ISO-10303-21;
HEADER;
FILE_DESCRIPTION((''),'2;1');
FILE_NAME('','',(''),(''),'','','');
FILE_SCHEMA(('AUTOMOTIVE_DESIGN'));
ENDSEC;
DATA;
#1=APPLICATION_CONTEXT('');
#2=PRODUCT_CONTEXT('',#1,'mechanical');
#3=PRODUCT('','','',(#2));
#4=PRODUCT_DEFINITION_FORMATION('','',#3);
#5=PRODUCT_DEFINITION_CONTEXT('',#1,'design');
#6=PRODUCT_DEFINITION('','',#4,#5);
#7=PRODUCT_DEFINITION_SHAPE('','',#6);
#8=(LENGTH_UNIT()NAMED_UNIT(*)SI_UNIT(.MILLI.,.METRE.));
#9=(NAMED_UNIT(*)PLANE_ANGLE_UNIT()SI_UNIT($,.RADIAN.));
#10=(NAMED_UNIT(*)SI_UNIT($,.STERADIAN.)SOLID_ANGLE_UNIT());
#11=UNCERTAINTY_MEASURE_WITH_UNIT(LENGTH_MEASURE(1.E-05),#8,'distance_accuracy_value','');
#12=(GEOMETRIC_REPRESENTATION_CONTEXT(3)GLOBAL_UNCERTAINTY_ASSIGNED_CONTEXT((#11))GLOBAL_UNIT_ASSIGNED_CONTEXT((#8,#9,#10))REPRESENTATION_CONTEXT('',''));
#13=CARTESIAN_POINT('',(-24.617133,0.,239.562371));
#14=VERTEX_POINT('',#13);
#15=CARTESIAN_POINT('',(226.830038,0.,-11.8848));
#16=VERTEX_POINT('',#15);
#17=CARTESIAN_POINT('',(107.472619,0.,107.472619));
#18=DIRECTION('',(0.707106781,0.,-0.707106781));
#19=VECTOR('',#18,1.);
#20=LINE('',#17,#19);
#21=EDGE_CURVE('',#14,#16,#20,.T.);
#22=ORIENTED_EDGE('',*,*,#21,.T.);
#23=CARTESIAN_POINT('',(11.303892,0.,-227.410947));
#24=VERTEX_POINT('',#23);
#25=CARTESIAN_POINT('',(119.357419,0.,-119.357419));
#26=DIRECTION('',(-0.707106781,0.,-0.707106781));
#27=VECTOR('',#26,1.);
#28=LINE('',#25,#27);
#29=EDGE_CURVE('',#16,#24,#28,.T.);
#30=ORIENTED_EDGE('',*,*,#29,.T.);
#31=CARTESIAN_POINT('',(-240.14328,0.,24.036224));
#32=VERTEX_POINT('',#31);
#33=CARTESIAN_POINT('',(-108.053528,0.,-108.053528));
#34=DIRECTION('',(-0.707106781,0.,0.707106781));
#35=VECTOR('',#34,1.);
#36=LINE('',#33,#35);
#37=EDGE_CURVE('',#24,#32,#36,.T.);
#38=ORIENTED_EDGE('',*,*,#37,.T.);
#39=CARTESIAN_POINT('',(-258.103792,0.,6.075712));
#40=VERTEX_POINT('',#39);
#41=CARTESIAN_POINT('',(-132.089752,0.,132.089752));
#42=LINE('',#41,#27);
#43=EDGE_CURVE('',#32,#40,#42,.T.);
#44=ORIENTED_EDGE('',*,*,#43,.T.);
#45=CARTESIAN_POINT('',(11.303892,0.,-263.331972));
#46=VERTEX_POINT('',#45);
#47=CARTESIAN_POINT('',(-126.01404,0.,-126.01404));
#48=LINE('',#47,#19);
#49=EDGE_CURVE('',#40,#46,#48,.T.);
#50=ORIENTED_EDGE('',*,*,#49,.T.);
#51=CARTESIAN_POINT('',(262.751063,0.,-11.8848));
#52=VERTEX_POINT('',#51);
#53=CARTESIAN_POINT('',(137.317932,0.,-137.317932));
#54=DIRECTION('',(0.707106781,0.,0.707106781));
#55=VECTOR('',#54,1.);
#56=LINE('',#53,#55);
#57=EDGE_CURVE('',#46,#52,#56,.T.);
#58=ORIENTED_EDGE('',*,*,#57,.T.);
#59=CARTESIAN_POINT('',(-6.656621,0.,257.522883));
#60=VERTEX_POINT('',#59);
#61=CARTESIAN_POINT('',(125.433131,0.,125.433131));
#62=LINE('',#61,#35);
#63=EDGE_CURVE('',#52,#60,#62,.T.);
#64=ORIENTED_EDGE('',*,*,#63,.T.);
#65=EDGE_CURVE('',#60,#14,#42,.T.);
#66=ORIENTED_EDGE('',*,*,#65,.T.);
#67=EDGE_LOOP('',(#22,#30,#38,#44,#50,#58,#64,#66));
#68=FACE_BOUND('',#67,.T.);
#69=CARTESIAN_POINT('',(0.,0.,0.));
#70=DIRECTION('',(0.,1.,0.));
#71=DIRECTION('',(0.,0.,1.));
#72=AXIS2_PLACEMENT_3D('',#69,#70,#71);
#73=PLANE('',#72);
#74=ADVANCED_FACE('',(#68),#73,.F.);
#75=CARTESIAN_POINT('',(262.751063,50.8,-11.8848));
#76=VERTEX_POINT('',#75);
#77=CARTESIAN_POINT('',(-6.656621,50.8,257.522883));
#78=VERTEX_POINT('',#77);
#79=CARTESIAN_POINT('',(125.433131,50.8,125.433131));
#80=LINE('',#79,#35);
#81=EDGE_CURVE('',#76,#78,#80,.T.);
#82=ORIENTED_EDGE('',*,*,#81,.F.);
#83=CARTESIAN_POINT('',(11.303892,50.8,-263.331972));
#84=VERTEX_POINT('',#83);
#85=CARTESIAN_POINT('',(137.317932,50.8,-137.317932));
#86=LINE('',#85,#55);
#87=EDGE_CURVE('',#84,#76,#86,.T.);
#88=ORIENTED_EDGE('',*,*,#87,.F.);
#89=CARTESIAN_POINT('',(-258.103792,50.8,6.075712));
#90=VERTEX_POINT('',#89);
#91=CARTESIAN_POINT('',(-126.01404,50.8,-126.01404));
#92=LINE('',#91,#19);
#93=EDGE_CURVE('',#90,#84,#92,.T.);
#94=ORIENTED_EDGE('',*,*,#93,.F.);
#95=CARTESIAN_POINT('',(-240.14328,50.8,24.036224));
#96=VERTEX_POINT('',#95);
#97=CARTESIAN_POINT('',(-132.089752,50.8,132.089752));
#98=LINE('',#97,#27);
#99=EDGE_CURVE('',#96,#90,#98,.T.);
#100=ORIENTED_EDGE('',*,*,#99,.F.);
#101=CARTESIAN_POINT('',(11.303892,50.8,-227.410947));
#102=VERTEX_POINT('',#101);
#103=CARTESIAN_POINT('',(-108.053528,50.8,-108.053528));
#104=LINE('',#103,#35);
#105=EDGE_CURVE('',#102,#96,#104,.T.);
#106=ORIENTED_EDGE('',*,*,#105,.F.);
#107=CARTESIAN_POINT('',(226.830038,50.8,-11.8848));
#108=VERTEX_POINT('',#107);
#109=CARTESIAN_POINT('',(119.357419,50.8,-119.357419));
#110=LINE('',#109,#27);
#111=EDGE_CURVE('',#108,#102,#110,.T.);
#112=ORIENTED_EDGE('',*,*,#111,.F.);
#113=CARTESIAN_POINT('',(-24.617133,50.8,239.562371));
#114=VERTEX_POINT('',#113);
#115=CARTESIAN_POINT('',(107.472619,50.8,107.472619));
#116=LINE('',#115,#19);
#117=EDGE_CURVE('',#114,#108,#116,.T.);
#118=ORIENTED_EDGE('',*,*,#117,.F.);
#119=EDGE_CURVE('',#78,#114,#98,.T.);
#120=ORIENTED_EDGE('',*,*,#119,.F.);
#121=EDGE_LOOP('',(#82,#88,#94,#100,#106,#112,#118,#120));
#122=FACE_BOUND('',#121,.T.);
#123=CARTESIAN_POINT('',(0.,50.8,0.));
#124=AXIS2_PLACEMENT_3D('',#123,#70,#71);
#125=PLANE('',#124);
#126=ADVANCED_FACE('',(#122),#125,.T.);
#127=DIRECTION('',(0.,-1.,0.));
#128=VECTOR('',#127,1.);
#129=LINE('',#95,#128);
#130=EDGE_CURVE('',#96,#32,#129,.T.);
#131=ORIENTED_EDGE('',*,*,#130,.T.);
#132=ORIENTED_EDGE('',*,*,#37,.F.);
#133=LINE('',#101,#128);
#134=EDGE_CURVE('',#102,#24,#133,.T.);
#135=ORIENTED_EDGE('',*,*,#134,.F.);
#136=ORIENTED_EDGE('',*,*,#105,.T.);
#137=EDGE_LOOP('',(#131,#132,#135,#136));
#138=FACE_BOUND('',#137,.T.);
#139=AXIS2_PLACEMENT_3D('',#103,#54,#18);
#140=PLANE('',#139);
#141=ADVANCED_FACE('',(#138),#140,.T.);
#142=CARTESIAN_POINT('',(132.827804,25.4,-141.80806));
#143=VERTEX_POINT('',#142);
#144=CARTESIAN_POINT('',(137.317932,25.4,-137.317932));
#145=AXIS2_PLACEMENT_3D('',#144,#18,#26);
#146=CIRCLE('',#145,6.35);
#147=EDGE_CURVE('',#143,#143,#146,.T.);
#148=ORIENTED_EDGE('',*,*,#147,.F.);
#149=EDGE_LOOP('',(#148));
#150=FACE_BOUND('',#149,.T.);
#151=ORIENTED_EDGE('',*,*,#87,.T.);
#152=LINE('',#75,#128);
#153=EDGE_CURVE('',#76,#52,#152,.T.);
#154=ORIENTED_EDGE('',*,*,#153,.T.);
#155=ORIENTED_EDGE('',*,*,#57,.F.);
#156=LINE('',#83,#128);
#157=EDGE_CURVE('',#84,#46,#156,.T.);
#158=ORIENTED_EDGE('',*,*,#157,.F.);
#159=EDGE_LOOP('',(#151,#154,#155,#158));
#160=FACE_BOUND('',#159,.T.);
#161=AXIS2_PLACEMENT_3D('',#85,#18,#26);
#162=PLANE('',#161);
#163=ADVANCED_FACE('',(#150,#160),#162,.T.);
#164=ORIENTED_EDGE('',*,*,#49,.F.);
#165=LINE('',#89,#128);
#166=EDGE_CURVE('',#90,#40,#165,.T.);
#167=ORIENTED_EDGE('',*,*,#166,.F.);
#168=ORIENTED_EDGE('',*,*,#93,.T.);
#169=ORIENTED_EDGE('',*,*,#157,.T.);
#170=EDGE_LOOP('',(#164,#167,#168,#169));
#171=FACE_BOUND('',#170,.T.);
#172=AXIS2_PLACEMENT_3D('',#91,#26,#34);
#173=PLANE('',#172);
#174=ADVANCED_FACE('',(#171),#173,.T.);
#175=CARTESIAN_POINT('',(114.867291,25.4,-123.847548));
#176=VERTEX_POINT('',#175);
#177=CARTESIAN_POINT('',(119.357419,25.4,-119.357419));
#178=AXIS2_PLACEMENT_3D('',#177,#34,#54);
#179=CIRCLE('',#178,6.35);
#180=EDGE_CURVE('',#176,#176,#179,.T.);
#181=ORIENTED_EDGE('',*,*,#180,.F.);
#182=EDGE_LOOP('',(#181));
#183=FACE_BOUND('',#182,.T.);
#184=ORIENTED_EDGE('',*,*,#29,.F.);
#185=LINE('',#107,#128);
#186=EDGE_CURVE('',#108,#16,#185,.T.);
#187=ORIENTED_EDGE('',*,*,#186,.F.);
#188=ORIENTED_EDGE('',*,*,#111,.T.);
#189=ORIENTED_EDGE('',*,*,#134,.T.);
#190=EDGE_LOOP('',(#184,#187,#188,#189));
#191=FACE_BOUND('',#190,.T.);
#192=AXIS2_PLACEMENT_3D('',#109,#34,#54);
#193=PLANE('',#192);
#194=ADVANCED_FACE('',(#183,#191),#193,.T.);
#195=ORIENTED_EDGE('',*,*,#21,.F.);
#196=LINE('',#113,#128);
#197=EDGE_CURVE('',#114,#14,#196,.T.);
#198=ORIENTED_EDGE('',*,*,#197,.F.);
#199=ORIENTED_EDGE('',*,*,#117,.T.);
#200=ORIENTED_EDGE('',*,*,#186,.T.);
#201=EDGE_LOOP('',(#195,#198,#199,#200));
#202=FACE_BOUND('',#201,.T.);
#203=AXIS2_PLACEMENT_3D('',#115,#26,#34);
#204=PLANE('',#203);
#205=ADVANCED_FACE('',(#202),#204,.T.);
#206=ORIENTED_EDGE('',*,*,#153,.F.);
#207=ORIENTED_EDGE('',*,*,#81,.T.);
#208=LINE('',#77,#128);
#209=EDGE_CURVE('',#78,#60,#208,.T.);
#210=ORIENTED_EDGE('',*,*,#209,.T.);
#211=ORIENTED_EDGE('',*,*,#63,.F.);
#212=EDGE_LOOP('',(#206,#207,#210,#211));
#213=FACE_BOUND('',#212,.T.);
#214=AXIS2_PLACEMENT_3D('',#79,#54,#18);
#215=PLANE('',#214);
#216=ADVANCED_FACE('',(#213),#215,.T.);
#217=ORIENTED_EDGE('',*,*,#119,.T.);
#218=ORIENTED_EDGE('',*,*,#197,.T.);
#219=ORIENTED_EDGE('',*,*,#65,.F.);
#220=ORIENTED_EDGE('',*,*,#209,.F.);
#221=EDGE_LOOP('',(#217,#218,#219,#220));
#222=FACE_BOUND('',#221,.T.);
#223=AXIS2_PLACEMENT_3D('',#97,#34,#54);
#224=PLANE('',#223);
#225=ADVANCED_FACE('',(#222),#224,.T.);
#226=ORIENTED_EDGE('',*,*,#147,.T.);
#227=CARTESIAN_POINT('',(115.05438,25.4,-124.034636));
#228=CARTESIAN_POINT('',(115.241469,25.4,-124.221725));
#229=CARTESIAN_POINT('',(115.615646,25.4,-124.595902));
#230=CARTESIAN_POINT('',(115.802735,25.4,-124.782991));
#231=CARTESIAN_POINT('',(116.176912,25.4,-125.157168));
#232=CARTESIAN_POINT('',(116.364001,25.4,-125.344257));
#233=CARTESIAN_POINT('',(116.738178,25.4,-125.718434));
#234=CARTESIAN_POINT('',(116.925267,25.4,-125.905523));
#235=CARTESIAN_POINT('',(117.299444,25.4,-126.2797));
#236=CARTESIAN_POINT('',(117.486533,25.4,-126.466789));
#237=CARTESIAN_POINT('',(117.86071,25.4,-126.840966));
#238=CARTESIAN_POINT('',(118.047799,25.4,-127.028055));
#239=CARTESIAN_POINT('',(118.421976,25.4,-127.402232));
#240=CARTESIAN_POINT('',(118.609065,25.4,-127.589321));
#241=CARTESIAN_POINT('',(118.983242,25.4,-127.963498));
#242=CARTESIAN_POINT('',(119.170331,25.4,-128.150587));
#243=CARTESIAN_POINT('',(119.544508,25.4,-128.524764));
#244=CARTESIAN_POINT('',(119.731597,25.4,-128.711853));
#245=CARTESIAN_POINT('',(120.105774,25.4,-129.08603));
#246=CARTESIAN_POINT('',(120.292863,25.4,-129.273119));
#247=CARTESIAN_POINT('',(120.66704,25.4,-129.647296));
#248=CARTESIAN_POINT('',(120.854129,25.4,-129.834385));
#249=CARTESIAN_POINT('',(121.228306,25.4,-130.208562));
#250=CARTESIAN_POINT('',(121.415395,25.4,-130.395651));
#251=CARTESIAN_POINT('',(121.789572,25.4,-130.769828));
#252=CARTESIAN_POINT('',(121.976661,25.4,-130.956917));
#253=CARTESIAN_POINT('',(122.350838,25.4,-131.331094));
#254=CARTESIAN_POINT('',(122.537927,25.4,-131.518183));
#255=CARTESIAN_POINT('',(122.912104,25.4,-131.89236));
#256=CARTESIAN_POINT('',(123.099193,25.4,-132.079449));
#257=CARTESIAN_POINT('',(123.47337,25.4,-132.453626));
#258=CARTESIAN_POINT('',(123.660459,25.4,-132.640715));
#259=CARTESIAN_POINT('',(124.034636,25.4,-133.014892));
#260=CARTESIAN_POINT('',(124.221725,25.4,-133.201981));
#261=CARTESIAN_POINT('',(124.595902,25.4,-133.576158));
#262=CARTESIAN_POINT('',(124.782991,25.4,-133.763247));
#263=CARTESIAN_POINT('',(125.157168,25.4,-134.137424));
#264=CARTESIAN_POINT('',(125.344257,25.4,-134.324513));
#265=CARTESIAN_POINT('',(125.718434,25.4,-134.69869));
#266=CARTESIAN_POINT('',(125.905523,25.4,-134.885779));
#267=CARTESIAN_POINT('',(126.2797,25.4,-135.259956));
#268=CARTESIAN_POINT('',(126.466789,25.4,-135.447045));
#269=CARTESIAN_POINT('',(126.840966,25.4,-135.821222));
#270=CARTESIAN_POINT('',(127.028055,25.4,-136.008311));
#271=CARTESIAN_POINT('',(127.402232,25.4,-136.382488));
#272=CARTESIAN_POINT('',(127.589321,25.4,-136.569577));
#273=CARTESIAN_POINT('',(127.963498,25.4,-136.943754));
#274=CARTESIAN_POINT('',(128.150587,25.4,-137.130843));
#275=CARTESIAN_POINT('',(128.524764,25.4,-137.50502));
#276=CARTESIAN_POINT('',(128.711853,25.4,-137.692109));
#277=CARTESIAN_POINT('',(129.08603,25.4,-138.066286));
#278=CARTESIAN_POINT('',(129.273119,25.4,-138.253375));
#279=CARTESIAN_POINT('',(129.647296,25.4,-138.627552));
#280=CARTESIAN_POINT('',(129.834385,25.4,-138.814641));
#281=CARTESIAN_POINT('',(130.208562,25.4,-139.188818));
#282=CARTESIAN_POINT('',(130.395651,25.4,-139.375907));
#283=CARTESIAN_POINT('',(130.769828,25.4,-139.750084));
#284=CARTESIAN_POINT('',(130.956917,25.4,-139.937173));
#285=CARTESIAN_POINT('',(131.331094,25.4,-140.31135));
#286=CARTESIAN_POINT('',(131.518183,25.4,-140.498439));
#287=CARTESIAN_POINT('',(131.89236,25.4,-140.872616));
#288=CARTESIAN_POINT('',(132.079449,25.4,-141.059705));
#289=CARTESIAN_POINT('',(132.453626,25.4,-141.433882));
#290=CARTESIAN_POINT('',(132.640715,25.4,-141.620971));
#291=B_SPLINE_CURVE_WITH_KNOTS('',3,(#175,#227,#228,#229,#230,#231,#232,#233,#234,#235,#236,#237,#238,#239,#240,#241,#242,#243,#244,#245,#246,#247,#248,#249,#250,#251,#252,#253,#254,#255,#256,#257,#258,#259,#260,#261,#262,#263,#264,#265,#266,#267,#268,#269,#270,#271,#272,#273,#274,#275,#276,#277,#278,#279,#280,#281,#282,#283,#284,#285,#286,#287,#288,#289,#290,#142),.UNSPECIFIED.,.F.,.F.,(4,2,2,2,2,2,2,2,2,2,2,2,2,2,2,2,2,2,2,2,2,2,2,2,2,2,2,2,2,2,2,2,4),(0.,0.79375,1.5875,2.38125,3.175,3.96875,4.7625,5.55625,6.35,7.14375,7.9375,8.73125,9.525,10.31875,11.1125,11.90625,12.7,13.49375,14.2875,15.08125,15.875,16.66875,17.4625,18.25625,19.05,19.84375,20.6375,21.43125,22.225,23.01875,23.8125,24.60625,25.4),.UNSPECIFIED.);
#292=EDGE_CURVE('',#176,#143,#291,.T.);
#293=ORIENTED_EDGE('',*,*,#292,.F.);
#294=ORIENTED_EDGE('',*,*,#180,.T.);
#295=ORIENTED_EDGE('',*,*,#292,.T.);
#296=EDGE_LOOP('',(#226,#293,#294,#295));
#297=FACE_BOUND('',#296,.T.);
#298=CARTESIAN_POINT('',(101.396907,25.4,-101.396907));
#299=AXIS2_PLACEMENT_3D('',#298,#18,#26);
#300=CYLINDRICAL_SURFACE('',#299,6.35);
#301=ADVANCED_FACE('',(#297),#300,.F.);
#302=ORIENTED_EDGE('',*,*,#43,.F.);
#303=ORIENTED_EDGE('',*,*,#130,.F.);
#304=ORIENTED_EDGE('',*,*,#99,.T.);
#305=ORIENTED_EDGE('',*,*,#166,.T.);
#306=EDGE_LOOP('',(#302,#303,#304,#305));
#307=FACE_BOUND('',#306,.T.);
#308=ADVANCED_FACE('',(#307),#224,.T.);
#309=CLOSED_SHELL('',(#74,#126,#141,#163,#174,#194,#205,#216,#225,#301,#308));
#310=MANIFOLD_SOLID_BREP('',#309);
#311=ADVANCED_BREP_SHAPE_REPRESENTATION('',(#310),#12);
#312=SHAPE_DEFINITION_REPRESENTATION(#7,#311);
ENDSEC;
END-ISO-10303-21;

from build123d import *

# Parameters (mm, degrees)
BOSS_EXTRUDE2_DEPTH = 50.8
SKETCH3_R           = 6.35
CUT_EXTRUDE1_DEPTH  = 50.8


with BuildPart() as part:
    # Sketch2 → Boss-Extrude2 (new body)
    with BuildSketch(Plane(origin=(0, 0, 0), x_dir=(1, 0, 0), z_dir=(0, 1, 0))):
        Polygon((11.303891564, 227.410947331), (-240.143279826, -24.036224059), (-258.103792068, -6.075711817), (11.303891564, 263.331971815), (262.751062954, 11.884800425), (-6.656620678, -257.522883207), (-24.61713292, -239.562370965), (226.83003847, 11.884800425), align=None)
    extrude(amount=BOSS_EXTRUDE2_DEPTH)

    # Sketch3 → Cut-Extrude1 (cut)
    with BuildSketch(Plane(origin=(137.31793169, 0, -137.31793169), x_dir=(-0.7071067811865475, 0, -0.7071067811865477), z_dir=(0.7071067811865477, 0, -0.7071067811865475))):
        with Locations((0, 25.4)):
            Circle(SKETCH3_R)
    extrude(amount=-CUT_EXTRUDE1_DEPTH, mode=Mode.SUBTRACT)


solid = part.part
